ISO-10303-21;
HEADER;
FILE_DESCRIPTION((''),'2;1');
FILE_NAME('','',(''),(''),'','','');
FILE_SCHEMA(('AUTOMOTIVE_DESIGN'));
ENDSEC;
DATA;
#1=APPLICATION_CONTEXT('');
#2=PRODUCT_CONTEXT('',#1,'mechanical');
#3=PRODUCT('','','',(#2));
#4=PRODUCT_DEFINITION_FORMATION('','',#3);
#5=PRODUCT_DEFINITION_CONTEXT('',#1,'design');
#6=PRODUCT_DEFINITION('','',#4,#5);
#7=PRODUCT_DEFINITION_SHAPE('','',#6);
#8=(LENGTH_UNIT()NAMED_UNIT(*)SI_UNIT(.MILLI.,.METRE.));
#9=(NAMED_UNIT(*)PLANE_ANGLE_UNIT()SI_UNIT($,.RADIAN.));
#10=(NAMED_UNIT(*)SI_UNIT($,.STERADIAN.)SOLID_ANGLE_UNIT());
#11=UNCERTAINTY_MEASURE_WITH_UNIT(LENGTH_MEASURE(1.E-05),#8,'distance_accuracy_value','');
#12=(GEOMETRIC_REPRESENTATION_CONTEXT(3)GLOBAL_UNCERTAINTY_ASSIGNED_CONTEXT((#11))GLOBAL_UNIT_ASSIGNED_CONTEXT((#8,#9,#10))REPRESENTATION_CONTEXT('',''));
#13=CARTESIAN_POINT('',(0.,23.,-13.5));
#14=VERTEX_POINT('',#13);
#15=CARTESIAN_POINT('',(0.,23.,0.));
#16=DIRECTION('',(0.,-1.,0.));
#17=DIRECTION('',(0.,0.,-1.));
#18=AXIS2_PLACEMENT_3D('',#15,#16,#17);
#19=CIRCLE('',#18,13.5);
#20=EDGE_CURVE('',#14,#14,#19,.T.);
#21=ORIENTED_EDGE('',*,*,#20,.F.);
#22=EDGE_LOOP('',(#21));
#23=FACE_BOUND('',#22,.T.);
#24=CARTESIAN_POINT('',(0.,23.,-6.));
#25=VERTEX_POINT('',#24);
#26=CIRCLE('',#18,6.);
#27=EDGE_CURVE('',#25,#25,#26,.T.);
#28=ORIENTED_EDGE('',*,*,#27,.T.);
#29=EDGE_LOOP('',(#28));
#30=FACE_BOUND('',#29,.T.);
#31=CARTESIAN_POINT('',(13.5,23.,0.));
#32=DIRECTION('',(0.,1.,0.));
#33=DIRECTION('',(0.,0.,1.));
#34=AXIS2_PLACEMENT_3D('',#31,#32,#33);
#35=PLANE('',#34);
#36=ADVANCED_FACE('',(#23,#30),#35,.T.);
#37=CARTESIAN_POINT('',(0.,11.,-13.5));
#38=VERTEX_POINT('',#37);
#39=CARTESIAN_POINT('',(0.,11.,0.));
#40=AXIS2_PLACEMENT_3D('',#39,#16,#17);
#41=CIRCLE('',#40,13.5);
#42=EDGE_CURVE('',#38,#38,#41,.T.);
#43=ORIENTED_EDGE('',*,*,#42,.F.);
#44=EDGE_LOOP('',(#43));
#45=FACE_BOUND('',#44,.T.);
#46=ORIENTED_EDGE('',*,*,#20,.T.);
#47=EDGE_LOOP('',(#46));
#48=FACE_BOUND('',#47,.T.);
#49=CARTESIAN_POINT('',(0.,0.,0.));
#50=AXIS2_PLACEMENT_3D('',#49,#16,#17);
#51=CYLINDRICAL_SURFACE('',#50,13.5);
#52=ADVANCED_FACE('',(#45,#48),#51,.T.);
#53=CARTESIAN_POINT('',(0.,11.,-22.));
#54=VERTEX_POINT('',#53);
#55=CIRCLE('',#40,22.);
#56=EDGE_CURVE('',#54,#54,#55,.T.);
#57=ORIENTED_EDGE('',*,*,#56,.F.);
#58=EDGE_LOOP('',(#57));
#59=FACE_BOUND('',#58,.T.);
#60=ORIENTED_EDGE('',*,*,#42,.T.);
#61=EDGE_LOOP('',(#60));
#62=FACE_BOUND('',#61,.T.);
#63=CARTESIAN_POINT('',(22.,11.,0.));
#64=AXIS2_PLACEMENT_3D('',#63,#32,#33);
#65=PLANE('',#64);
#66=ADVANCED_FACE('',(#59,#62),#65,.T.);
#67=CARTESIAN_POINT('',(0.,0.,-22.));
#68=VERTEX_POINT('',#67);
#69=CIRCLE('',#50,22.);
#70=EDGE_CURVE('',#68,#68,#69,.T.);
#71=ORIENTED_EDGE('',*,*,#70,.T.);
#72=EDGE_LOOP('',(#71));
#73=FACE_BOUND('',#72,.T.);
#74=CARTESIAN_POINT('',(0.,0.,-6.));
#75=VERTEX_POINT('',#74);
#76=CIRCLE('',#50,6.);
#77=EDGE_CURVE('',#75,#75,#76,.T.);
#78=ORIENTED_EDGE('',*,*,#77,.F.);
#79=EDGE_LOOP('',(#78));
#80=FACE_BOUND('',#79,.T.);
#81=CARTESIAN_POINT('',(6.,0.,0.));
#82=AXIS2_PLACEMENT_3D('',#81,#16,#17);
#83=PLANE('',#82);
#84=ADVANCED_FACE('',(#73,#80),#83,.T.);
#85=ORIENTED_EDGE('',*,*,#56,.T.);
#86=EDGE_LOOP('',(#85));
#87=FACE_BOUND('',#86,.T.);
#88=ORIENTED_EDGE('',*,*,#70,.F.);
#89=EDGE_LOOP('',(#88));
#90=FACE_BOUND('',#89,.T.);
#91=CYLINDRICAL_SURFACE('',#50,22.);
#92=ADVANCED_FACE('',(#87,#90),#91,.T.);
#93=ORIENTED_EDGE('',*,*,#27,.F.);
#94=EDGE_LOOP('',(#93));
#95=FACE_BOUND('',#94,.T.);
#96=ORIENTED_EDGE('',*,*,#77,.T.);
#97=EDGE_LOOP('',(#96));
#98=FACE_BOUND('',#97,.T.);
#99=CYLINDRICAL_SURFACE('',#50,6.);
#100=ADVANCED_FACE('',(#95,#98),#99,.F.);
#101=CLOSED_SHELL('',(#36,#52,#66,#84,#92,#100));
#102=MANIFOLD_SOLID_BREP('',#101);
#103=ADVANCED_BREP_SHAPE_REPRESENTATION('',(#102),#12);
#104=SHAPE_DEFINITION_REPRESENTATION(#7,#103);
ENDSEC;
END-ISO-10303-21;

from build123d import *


with BuildPart() as part:
    # Эскиз1 → Повернуть1 (revolve)
    with BuildSketch(Plane.XY, mode=Mode.PRIVATE) as revolve_1_sk:
        Polygon((6, 23), (6, 0), (22, 0), (22, 11), (13.5, 11), (13.5, 23), align=None)
    revolve(revolve_1_sk.sketch.rotate(Axis((0, 0, 0), (0, 1, 0)), 90), axis=Axis((0, 0, 0), (0, 1, 0)))


solid = part.part
